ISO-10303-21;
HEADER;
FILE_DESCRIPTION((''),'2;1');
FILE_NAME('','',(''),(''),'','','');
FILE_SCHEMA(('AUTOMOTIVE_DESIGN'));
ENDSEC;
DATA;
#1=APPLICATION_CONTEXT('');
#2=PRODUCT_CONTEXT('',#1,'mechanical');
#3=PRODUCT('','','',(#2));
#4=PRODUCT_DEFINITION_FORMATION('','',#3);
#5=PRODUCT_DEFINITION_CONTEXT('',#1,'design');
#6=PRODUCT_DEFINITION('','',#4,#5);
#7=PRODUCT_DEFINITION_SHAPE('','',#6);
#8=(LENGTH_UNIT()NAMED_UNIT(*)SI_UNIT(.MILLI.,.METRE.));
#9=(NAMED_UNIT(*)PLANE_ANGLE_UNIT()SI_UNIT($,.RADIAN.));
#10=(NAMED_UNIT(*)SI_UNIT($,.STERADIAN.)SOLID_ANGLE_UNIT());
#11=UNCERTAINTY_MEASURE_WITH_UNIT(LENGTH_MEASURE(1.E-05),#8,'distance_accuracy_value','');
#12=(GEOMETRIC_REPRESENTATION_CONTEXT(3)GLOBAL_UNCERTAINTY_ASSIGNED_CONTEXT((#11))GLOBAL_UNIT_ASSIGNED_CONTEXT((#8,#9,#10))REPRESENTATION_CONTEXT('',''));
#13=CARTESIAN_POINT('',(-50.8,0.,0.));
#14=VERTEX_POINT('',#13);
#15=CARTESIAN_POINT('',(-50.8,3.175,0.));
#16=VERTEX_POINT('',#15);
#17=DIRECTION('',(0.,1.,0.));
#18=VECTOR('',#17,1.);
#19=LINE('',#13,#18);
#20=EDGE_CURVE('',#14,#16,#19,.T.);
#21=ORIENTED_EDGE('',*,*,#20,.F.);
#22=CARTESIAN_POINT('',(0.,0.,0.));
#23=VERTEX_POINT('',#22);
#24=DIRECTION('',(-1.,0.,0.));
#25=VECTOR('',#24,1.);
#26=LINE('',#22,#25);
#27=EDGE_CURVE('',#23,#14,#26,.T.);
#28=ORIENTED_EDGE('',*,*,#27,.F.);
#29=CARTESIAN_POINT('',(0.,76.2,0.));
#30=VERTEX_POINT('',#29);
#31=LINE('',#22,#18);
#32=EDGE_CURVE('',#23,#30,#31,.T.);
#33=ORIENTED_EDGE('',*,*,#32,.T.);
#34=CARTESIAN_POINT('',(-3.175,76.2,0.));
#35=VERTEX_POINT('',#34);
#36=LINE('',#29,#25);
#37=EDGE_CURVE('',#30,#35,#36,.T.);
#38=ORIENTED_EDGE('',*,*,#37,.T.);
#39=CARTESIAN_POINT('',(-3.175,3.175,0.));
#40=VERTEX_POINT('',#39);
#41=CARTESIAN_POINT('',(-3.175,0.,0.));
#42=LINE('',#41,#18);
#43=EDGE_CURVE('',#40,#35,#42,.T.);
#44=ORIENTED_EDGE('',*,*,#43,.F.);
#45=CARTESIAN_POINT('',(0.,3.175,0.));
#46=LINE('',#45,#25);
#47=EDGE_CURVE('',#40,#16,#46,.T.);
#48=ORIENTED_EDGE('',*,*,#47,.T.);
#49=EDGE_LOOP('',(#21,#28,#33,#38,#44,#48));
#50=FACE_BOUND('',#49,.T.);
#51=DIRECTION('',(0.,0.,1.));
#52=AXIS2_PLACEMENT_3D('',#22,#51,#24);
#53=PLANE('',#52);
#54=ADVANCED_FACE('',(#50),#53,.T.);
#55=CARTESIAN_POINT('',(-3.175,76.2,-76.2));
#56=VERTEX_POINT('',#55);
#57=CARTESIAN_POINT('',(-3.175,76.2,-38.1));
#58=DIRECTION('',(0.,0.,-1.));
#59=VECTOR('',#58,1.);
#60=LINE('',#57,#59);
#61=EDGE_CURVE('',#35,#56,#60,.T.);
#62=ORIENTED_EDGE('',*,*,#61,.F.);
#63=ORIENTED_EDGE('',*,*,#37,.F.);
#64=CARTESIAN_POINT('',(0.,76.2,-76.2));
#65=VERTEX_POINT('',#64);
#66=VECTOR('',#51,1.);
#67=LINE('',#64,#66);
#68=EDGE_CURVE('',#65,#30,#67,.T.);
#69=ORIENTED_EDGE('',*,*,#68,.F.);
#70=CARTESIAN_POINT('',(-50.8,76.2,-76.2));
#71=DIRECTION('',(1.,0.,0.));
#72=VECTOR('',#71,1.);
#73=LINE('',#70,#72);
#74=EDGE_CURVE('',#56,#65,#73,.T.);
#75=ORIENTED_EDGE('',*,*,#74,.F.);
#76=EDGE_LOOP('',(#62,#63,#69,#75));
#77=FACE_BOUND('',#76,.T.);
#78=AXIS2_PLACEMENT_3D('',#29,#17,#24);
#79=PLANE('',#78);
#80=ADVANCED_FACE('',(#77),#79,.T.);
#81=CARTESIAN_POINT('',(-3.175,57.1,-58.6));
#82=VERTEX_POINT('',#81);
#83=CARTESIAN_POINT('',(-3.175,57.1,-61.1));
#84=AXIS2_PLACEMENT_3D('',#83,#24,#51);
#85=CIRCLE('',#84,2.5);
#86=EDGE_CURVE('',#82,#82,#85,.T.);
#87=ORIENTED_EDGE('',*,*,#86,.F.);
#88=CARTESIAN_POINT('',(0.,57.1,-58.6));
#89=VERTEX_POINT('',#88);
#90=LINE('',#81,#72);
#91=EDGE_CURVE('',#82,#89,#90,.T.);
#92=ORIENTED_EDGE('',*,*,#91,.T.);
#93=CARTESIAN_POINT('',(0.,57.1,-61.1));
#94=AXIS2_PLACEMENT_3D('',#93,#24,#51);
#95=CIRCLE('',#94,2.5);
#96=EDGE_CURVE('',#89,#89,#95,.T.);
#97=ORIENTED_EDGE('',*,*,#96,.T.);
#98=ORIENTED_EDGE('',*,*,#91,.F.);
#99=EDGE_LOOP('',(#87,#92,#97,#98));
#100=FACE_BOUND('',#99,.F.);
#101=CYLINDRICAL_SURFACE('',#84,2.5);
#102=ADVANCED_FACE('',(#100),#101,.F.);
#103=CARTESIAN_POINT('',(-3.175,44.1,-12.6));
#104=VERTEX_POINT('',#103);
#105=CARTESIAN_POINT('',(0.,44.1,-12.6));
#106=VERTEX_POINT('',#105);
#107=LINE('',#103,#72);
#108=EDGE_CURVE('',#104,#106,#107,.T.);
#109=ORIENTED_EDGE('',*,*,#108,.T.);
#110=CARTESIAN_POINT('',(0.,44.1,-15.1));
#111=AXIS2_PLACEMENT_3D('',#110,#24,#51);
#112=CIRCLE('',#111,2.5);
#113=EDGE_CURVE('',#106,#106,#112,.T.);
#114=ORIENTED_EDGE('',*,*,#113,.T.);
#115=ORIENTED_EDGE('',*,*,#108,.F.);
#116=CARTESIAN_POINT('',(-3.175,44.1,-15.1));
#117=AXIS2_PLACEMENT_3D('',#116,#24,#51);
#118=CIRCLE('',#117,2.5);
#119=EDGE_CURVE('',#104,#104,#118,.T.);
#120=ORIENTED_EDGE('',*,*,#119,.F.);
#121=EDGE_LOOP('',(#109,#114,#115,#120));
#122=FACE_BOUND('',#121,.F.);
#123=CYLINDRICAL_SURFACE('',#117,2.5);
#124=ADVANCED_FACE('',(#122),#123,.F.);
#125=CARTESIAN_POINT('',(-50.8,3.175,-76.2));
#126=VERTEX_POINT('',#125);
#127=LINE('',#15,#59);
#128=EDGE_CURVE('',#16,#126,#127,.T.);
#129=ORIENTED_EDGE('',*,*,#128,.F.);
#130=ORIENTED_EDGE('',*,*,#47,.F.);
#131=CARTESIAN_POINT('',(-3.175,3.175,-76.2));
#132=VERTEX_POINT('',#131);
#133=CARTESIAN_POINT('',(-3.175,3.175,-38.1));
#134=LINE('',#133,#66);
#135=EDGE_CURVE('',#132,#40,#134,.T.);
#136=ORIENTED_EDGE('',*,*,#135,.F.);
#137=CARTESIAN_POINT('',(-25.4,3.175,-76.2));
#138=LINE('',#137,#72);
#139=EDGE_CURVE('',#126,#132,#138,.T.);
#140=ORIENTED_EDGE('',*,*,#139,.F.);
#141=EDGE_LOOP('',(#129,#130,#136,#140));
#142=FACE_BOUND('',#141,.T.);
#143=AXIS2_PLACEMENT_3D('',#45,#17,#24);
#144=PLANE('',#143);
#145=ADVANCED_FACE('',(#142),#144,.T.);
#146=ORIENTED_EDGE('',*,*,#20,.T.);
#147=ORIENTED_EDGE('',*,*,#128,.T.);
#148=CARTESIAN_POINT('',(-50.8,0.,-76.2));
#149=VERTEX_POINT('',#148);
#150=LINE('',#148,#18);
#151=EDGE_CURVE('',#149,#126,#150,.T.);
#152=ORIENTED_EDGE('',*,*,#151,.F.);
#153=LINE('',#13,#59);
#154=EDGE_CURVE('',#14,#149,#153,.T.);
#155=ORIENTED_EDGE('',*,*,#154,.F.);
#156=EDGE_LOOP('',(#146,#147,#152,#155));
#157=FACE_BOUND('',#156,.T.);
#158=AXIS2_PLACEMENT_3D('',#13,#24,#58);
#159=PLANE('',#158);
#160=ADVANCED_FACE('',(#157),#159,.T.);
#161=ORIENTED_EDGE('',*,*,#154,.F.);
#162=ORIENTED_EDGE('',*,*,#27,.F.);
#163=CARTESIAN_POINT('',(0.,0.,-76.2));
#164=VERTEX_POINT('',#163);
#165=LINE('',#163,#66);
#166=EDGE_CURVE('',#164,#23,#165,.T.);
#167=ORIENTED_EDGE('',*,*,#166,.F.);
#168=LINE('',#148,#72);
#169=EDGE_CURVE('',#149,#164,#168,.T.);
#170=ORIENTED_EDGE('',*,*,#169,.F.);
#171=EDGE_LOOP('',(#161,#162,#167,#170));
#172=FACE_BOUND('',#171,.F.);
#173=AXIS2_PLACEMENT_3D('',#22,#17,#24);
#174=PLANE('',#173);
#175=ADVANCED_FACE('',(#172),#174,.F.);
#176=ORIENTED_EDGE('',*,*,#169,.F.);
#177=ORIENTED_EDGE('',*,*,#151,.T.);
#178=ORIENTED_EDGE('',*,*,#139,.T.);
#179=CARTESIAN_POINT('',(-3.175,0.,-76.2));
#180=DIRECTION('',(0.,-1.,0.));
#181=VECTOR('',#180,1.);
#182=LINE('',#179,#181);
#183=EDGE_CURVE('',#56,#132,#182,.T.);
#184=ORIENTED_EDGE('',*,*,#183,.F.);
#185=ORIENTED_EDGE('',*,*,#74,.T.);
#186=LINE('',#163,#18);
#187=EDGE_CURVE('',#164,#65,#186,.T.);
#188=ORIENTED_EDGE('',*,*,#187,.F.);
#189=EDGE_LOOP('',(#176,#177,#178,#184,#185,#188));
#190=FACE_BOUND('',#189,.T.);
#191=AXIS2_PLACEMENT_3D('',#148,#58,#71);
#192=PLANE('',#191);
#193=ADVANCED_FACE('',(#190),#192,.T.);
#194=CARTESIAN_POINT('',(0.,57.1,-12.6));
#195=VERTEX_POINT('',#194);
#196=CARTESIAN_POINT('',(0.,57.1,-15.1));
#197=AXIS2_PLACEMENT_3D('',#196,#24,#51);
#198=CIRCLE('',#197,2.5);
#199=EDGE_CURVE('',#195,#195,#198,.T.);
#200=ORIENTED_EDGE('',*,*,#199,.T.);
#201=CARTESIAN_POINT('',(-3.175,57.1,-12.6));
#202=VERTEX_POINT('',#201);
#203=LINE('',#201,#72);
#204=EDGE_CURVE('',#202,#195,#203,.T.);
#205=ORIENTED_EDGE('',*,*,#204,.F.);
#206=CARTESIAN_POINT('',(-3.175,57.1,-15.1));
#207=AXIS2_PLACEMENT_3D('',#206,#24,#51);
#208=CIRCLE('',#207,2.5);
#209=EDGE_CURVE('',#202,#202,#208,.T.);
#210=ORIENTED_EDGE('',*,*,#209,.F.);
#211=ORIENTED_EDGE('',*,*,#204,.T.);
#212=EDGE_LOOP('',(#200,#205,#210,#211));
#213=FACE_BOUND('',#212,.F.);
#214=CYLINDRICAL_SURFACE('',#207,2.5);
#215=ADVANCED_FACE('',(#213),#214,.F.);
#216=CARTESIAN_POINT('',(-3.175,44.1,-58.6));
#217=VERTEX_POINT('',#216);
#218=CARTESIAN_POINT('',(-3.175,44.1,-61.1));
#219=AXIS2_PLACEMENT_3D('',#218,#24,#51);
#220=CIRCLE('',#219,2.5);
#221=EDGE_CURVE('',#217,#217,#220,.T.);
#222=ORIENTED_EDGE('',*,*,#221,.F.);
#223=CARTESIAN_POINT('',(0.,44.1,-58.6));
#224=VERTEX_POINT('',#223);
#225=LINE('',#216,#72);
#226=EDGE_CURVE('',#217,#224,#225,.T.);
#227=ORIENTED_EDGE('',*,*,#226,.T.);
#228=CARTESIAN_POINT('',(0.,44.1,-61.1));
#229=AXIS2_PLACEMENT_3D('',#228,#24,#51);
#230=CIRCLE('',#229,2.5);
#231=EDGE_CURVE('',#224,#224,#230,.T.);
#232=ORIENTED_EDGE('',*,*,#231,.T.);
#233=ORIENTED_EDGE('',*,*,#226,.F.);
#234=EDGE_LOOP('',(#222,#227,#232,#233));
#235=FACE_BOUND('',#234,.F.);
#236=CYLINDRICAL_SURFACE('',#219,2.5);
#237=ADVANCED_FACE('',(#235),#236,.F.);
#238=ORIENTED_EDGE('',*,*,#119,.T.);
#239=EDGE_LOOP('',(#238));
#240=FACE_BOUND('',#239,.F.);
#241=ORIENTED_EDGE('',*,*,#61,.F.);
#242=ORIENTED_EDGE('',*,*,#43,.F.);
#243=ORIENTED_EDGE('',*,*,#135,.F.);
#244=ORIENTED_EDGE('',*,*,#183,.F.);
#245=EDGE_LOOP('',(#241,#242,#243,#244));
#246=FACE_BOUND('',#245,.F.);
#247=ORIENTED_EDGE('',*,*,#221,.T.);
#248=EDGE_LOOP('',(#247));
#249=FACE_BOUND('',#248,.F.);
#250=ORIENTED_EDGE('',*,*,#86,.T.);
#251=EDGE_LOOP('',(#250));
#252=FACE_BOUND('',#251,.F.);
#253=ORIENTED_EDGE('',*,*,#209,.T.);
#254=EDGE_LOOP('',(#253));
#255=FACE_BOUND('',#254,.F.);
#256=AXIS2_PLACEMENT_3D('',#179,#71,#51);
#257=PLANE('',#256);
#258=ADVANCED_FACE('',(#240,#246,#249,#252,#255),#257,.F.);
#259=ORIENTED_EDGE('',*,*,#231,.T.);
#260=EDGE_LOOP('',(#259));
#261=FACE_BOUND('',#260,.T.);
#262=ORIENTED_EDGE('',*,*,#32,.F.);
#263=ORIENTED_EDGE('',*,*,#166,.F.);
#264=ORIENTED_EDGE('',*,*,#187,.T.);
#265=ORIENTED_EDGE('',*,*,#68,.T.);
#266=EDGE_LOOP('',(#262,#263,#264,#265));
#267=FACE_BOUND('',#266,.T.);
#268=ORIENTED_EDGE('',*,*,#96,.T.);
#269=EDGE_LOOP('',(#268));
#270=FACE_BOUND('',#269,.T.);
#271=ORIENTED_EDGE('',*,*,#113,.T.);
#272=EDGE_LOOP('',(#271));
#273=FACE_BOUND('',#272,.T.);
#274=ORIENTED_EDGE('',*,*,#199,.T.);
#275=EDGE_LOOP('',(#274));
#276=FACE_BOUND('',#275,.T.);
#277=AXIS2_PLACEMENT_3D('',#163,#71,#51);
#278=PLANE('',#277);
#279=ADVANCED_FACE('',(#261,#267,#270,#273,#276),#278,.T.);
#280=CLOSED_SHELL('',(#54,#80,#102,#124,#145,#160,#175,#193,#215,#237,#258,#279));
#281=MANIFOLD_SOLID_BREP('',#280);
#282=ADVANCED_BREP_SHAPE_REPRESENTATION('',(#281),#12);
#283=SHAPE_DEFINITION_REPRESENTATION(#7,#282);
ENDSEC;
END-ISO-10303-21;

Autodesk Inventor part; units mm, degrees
ref_plane "YZ Plane" through (0, 0, 0) normal (1, 0, 0) x (0, 1, 0)
ref_plane "XZ Plane" through (0, 0, 0) normal (0, 1, 0) x (-1, 0, 0)
ref_plane "XY Plane" through (0, 0, 0) normal (0, 0, 1) x (1, 0, 0)
sketch "Sketch1" plane through (0, 0, 0) normal (0, 1, 0) x (-1, 0, 0)
  line L0 (0, 0) -> (50.8, 0)
  line L1 (50.8, 0) -> (50.8, -76.2)
  line L2 (50.8, -76.2) -> (0, -76.2)
  line L3 (0, -76.2) -> (0, 0)
  dimension "d0" = 50.8
  dimension "d1" = 76.2
extrude "Extrusion1" add sketch "Sketch1" along normal blind 76.2
shell "Shell1" thickness 3.175 removed faces 4 at (-33.8667, 25.4, 0) at (-50.8, 25.4, -50.8) at (-16.9333, 25.4, -76.2) at (-33.8667, 76.2, -50.8)
sketch "Sketch2" plane through (-3.175, 3.175, 0) normal (-1, 0, 0) x (0, 0, 1)
  circle A0 centre (-15.1, 40.925) radius 2.5
  circle A1 centre (-61.1, 53.925) radius 2.5
  circle A2 centre (-61.1, 40.925) radius 2.5
  circle A3 centre (-15.1, 53.925) radius 2.5
  line L0 (-61.1, 53.925) -> (-15.1, 53.925) construction
  line L1 (-15.1, 53.925) -> (-15.1, 40.925) construction
  line L2 (-15.1, 40.925) -> (-61.1, 40.925) construction
  line L3 (-61.1, 40.925) -> (-61.1, 53.925) construction
  line L4 (0, 0) -> (-76.2, 0) projected
  point P0 (0, -3.175)
  point P1 (-38.1, 53.925)
  point P2 (-38.1, 0)
  dimension "d5" = 5
  dimension "d6" = 46
  dimension "d7" = 13
  dimension "d8" = 40.925
extrude "Extrusion2" cut sketch "Sketch2" against normal blind 25.4
properties part number "BK10_Z_Mount"
